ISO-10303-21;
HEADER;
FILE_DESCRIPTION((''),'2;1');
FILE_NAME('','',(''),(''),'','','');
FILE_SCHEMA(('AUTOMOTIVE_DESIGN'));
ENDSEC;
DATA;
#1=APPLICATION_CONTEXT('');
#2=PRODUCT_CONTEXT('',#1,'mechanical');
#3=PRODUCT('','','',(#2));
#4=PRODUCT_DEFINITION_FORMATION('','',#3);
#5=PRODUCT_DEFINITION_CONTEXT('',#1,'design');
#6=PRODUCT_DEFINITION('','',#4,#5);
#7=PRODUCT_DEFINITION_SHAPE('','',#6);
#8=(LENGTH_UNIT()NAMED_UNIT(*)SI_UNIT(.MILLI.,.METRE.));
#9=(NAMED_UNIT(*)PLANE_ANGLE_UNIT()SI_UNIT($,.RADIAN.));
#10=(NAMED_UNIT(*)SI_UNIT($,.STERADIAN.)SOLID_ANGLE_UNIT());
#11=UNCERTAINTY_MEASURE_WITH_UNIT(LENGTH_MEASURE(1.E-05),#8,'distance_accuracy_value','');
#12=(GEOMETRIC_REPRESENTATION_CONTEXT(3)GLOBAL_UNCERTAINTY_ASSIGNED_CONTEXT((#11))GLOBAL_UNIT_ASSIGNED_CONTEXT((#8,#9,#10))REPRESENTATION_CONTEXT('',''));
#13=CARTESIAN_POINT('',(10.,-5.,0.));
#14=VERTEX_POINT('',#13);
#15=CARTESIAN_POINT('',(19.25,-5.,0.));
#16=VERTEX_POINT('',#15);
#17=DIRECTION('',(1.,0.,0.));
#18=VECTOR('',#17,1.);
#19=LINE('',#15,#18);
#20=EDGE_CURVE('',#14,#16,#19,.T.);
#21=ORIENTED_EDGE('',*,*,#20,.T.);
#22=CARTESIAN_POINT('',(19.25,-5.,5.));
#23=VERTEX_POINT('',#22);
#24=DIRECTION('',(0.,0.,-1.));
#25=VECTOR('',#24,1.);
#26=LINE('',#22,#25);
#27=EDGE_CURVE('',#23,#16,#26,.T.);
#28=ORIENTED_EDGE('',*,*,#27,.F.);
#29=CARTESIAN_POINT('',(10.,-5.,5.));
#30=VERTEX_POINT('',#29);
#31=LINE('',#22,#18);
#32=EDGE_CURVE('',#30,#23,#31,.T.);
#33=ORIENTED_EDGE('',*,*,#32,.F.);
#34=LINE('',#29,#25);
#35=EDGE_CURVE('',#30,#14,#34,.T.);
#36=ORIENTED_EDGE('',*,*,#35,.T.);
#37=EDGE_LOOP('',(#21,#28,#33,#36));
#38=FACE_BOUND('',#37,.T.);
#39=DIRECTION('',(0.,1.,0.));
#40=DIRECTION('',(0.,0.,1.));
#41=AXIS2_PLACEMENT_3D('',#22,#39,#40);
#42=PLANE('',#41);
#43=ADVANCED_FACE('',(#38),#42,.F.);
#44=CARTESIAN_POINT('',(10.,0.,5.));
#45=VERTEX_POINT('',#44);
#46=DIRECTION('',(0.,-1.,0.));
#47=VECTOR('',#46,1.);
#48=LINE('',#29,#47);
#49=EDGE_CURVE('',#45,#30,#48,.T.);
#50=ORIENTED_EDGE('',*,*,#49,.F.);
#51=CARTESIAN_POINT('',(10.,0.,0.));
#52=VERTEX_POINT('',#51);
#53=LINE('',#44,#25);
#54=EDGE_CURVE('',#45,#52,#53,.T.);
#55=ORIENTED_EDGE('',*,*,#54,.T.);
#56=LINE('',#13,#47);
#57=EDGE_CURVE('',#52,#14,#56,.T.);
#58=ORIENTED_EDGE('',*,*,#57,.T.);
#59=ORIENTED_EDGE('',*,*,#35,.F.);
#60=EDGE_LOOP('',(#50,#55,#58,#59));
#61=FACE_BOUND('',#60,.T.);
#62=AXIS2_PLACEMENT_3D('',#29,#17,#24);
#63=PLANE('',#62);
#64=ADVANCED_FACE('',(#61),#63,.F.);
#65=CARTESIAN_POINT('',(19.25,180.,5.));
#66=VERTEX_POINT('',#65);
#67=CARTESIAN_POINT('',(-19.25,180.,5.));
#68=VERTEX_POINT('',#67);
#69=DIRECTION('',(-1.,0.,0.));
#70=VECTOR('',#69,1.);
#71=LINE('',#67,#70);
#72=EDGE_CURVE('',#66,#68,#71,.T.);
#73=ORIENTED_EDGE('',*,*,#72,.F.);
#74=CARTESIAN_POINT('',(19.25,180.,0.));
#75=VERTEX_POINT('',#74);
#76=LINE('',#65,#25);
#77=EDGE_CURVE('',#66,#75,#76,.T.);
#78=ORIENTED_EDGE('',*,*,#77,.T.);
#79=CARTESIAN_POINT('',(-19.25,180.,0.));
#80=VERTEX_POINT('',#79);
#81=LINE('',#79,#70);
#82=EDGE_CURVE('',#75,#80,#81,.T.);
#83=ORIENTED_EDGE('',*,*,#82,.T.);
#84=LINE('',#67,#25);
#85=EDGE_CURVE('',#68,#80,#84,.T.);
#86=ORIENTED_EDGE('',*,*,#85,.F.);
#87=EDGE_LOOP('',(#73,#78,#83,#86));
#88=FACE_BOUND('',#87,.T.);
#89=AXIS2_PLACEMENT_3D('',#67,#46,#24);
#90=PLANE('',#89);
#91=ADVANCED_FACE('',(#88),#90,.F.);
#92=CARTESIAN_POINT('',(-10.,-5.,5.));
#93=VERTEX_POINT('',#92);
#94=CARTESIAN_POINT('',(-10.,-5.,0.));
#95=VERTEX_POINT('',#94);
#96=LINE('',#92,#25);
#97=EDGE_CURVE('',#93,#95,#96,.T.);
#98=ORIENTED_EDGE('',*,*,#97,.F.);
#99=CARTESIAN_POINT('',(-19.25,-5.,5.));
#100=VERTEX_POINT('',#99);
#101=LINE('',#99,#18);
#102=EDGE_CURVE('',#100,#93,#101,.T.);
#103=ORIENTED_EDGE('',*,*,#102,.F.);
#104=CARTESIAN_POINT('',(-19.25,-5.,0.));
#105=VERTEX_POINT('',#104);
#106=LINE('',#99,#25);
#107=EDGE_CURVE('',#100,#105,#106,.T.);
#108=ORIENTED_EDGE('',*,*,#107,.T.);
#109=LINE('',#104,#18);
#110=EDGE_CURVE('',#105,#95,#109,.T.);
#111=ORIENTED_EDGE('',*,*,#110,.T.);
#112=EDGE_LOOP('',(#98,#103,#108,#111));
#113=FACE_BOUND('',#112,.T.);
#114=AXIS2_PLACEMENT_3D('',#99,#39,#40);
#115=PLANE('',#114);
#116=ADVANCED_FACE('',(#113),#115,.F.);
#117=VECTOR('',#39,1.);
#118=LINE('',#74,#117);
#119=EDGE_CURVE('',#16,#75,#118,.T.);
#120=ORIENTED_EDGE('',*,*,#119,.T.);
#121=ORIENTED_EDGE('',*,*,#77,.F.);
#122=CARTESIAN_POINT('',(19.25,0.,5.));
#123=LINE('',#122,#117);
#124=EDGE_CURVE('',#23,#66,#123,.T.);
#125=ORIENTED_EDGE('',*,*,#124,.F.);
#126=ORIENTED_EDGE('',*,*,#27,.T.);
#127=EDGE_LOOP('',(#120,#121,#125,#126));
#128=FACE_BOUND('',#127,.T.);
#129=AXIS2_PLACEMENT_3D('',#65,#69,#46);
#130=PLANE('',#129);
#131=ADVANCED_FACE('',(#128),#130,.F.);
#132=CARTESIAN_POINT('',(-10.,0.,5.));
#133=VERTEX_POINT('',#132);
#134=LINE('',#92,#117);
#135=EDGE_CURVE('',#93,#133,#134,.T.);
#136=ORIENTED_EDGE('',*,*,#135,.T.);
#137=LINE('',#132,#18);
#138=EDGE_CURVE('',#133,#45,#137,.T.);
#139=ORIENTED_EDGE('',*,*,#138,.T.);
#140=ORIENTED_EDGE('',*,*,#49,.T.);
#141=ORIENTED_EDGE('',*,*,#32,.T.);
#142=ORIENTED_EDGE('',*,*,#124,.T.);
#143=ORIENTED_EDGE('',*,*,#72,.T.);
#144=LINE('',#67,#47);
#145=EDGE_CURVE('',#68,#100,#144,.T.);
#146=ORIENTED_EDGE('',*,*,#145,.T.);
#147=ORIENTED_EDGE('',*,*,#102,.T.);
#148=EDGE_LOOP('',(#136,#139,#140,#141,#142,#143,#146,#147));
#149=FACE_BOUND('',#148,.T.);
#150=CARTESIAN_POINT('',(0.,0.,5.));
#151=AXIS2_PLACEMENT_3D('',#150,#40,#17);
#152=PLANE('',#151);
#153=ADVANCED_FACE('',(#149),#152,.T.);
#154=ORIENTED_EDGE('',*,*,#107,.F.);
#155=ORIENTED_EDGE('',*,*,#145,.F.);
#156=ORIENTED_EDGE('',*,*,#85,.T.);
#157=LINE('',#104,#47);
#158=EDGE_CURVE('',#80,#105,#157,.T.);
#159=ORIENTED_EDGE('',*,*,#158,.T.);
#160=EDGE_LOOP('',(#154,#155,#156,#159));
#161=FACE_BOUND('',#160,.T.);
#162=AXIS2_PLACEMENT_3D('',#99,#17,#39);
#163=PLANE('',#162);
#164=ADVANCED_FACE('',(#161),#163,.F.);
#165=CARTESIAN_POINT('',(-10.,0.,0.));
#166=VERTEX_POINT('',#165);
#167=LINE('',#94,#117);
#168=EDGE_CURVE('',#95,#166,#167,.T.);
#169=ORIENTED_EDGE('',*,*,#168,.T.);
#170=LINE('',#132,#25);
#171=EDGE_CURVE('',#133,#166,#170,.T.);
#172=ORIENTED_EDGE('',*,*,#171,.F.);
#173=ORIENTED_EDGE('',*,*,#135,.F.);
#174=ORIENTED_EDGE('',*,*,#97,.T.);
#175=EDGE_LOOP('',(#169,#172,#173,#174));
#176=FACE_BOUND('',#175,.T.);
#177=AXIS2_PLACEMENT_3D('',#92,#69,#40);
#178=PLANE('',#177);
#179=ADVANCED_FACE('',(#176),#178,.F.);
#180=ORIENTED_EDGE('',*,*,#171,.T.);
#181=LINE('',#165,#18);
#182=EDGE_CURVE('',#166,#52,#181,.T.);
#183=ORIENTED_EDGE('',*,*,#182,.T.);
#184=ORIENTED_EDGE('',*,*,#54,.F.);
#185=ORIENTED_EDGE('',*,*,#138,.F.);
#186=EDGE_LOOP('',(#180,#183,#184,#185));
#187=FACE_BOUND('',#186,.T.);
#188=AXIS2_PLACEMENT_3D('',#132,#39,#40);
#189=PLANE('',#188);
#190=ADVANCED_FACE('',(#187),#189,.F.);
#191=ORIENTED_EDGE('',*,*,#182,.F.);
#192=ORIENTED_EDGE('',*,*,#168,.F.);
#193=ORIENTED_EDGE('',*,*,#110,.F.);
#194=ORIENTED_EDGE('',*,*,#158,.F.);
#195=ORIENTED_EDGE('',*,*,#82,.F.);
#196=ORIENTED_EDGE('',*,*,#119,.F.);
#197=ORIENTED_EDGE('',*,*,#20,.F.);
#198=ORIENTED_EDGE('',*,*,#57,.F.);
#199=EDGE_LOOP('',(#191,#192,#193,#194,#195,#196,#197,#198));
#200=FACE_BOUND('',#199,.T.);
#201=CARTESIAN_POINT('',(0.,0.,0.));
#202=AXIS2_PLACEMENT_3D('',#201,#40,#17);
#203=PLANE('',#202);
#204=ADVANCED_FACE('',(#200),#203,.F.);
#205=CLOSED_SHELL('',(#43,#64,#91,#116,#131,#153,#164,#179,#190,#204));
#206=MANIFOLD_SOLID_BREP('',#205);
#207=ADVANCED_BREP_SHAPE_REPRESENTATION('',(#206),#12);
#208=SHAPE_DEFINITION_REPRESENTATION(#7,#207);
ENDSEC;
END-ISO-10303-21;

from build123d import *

# Parameters (mm, degrees)
BOSS_EXTRUDE1_DEPTH = 5


with BuildPart() as part:
    # Sketch1 → Boss-Extrude1 (new body)
    with BuildSketch(Plane.XY):
        Polygon((-19.25, 180), (19.25, 180), (19.25, 0), (19.25, -5), (10, -5), (10, 0), (-10, 0), (-10, -5), (-19.25, -5), (-19.25, 0), align=None)
    extrude(amount=BOSS_EXTRUDE1_DEPTH)


solid = part.part
